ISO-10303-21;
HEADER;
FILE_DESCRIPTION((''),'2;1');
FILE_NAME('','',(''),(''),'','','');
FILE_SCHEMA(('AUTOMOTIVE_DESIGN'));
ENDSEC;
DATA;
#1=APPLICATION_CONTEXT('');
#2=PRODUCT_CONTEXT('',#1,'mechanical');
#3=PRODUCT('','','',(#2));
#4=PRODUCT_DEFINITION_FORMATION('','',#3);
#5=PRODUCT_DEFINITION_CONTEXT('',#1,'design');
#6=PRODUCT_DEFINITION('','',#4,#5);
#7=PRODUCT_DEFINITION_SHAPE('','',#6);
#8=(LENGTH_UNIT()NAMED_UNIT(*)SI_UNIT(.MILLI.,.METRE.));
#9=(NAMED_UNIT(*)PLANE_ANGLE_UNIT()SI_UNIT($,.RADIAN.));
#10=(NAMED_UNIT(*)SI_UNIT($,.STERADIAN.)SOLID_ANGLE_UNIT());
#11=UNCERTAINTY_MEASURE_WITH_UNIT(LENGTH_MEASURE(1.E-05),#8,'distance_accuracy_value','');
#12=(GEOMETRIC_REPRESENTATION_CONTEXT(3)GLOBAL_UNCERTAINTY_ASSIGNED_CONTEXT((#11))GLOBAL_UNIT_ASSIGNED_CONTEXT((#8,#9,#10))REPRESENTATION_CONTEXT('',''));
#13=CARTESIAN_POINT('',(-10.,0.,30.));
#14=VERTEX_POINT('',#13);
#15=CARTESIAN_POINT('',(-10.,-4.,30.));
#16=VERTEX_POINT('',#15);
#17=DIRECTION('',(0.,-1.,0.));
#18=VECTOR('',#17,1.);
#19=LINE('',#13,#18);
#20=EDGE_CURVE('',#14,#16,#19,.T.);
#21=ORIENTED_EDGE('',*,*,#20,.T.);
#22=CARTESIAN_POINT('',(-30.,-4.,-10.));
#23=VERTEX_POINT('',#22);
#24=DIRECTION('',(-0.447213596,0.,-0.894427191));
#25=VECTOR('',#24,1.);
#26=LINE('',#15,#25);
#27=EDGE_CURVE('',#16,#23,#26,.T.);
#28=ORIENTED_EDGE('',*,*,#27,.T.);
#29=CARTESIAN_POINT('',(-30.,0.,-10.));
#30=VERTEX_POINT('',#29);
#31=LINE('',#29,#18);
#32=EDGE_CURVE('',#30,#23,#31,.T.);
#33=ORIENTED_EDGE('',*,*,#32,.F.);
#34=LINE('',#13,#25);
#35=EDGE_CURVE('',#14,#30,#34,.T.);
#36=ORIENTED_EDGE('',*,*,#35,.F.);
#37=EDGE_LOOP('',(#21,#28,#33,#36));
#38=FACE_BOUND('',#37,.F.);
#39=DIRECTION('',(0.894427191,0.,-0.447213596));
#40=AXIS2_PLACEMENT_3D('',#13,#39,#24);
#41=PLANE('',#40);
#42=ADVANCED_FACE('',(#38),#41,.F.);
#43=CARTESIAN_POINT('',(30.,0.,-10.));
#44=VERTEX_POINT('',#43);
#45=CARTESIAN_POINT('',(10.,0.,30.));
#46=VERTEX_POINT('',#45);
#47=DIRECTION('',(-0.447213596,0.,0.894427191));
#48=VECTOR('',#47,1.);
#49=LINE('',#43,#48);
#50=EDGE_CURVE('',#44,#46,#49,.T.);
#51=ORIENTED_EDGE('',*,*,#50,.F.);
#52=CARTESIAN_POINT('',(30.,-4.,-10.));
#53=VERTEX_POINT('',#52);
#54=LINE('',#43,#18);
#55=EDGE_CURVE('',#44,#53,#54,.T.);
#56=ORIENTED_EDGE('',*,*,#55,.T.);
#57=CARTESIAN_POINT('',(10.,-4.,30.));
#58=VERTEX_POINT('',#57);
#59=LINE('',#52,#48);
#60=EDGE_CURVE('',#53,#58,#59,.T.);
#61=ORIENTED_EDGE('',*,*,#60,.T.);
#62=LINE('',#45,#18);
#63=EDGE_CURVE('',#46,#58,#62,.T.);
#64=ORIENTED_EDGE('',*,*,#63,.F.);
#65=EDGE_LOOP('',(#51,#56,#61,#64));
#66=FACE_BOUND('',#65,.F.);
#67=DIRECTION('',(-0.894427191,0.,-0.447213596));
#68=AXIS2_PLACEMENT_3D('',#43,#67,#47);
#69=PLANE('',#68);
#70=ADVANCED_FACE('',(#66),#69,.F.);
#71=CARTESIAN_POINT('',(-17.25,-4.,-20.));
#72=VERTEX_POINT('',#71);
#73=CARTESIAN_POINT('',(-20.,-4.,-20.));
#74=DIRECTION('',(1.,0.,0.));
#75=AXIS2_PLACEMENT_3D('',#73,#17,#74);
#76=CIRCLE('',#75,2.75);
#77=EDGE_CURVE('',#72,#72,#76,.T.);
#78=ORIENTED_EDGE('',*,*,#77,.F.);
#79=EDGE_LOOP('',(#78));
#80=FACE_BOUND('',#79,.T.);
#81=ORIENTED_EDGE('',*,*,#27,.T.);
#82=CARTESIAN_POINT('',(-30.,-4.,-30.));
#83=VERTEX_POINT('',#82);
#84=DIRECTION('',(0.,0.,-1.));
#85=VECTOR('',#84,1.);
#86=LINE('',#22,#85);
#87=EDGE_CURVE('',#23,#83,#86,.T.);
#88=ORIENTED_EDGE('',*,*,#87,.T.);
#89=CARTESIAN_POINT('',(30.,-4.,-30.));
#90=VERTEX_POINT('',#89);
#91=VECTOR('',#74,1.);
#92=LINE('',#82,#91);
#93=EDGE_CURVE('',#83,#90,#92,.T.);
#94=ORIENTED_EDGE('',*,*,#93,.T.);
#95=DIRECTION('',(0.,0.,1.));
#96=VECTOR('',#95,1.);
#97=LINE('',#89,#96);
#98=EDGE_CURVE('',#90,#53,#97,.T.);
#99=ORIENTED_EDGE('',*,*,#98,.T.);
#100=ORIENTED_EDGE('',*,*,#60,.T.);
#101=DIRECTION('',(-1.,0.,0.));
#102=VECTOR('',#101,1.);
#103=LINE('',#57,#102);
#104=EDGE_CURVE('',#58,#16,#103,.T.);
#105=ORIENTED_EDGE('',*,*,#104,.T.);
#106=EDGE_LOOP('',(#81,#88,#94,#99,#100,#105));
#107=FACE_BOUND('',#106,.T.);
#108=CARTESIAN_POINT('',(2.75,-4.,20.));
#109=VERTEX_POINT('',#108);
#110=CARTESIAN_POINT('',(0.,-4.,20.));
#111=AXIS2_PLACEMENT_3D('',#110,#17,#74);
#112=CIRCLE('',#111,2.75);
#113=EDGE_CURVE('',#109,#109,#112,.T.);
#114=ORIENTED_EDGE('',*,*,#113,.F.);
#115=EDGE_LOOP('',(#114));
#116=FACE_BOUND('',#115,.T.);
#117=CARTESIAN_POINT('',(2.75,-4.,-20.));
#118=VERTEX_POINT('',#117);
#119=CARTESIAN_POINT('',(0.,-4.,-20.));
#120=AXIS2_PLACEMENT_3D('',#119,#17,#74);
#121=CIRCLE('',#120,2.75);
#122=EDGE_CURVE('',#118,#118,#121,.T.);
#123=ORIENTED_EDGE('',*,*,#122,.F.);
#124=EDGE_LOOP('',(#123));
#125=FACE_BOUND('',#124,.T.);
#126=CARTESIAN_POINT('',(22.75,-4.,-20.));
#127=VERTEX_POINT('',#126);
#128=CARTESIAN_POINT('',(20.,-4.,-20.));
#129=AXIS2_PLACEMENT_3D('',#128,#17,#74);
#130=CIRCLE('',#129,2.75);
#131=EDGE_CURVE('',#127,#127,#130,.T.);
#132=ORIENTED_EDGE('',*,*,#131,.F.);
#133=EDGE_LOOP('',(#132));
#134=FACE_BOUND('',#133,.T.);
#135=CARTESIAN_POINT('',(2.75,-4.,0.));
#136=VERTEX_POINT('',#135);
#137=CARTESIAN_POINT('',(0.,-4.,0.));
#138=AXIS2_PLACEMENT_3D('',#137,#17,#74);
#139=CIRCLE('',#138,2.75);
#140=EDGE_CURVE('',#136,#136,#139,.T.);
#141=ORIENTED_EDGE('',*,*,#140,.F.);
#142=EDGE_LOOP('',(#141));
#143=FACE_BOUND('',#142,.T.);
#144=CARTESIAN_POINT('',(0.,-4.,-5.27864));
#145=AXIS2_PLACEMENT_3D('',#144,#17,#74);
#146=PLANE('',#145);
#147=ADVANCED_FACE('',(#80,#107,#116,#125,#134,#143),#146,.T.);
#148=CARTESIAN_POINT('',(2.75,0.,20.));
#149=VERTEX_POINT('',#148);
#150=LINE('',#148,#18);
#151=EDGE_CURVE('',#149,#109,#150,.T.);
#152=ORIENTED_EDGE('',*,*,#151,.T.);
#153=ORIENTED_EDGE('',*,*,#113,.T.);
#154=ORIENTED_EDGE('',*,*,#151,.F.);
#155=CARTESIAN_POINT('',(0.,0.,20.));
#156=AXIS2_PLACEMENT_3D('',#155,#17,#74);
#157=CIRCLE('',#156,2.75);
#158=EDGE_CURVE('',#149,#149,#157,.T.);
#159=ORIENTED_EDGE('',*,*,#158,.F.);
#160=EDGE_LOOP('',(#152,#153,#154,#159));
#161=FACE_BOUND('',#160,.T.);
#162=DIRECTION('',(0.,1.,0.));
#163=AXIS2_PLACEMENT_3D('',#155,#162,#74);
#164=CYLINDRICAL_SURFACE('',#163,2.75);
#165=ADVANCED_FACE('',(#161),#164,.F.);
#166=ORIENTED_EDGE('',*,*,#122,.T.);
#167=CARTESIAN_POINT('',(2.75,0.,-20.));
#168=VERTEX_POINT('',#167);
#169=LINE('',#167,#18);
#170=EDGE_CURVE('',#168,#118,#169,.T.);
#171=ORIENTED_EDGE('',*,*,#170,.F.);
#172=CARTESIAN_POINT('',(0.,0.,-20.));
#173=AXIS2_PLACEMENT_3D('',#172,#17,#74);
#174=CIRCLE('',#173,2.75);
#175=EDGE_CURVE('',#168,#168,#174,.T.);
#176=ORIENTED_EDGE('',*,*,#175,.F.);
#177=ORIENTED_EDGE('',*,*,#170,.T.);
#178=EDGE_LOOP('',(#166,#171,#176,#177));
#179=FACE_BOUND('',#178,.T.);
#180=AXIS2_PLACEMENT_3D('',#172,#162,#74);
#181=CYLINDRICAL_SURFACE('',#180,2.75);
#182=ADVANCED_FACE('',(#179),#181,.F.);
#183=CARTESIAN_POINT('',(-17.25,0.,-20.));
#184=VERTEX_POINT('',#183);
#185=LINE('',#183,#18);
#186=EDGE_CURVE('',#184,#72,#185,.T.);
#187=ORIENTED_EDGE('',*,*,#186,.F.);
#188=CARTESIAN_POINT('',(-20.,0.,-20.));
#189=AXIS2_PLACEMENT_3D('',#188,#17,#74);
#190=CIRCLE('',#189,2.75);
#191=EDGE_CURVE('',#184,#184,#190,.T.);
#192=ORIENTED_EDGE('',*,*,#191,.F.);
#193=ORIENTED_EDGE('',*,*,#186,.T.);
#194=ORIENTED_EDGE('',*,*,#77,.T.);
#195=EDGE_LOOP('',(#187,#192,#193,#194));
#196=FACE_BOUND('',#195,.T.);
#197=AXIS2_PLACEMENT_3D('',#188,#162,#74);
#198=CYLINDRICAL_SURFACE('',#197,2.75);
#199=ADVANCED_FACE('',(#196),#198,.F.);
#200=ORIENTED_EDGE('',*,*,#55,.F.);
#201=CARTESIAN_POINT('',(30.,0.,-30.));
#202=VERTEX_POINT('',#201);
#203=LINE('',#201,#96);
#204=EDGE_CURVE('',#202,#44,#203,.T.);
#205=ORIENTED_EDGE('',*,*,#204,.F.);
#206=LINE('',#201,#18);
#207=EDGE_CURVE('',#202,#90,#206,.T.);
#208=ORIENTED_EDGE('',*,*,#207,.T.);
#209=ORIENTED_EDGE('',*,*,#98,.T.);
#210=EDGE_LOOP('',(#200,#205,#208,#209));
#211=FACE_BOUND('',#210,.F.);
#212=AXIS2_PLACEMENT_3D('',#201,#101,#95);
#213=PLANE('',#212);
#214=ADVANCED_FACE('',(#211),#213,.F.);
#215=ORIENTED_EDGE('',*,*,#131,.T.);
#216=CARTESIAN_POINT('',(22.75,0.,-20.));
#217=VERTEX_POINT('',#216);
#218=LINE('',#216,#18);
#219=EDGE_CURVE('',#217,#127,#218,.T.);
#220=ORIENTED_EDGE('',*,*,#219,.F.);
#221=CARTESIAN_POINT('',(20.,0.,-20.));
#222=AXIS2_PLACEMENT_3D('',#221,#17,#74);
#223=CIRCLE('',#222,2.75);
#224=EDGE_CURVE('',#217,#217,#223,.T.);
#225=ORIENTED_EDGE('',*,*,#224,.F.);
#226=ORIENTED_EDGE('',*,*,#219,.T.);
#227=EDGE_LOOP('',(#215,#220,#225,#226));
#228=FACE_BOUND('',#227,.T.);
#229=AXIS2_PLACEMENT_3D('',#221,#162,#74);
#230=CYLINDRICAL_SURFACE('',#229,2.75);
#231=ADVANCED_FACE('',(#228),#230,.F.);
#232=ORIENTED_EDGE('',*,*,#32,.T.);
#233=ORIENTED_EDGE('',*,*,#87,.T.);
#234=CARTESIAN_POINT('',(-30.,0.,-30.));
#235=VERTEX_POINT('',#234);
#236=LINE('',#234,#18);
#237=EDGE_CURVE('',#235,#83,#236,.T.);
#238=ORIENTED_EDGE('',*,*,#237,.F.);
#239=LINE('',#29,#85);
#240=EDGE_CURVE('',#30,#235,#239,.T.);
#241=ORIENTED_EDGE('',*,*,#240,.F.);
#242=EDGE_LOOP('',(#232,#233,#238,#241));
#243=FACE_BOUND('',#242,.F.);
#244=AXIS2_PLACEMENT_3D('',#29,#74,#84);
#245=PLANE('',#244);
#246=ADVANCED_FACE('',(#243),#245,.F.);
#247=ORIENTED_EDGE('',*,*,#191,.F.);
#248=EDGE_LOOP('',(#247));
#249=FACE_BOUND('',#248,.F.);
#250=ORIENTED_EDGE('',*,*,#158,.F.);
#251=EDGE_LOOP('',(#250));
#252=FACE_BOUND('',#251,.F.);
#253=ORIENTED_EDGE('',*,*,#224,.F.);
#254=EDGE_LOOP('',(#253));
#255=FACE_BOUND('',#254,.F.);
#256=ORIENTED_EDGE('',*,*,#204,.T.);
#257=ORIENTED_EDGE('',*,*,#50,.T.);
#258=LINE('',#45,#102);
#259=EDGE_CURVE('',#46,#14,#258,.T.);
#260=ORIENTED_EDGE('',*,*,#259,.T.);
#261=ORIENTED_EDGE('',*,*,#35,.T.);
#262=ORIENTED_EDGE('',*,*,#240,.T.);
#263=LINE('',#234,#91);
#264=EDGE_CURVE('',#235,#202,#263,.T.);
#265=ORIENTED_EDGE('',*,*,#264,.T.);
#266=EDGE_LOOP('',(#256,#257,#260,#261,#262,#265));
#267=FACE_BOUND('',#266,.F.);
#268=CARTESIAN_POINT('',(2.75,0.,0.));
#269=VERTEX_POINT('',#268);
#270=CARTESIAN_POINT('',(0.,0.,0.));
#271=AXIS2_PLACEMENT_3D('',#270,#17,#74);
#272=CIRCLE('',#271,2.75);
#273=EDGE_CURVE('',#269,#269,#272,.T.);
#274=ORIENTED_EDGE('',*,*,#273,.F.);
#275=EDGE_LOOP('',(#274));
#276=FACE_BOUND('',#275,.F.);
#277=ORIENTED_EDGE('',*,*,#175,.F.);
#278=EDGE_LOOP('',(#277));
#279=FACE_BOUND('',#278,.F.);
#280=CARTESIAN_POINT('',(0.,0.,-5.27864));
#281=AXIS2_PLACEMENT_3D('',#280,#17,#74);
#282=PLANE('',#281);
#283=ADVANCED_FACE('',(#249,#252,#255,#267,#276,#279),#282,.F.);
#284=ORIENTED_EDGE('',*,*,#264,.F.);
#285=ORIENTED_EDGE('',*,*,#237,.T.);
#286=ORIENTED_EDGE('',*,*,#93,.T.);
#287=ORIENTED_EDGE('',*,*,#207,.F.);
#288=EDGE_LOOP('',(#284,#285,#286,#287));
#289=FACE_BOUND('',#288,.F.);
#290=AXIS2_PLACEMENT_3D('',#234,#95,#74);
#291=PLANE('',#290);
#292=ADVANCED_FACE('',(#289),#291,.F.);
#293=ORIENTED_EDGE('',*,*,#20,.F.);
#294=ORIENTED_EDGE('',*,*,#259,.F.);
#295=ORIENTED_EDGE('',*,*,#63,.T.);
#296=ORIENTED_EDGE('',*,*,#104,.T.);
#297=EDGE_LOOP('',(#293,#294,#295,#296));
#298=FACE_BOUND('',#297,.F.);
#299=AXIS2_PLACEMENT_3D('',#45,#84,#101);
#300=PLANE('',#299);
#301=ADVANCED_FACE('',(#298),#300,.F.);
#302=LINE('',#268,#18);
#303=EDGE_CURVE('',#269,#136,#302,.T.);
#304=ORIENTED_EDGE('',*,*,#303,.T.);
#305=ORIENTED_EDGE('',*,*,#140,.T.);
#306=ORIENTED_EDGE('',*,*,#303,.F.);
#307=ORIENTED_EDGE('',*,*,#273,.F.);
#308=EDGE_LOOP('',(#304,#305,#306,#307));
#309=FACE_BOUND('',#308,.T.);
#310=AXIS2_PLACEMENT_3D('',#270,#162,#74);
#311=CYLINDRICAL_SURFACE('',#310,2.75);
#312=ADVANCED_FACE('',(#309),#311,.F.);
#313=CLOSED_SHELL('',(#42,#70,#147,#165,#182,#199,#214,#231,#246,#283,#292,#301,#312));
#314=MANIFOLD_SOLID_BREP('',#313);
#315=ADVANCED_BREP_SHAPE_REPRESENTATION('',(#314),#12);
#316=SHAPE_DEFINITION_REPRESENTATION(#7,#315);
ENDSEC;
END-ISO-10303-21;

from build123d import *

# Parameters (mm, degrees)
F0_R     = 2.75
F1_DEPTH = 4


with BuildPart() as f1:
    # F0 (on Front) → F1 (new body)
    with BuildSketch(Plane.XZ):
        Polygon((-30, -10), (-30, -30), (30, -30), (30, -10), (10, 30), (-10, 30), align=None)
        with Locations((-20, -20)):
            Circle(F0_R, mode=Mode.SUBTRACT)
        with Locations((0, -20)):
            Circle(F0_R, mode=Mode.SUBTRACT)
        with Locations((20, -20)):
            Circle(F0_R, mode=Mode.SUBTRACT)
        Circle(F0_R, mode=Mode.SUBTRACT)
        with Locations((0, 20)):
            Circle(F0_R, mode=Mode.SUBTRACT)
    extrude(amount=F1_DEPTH)


solid = f1.part
